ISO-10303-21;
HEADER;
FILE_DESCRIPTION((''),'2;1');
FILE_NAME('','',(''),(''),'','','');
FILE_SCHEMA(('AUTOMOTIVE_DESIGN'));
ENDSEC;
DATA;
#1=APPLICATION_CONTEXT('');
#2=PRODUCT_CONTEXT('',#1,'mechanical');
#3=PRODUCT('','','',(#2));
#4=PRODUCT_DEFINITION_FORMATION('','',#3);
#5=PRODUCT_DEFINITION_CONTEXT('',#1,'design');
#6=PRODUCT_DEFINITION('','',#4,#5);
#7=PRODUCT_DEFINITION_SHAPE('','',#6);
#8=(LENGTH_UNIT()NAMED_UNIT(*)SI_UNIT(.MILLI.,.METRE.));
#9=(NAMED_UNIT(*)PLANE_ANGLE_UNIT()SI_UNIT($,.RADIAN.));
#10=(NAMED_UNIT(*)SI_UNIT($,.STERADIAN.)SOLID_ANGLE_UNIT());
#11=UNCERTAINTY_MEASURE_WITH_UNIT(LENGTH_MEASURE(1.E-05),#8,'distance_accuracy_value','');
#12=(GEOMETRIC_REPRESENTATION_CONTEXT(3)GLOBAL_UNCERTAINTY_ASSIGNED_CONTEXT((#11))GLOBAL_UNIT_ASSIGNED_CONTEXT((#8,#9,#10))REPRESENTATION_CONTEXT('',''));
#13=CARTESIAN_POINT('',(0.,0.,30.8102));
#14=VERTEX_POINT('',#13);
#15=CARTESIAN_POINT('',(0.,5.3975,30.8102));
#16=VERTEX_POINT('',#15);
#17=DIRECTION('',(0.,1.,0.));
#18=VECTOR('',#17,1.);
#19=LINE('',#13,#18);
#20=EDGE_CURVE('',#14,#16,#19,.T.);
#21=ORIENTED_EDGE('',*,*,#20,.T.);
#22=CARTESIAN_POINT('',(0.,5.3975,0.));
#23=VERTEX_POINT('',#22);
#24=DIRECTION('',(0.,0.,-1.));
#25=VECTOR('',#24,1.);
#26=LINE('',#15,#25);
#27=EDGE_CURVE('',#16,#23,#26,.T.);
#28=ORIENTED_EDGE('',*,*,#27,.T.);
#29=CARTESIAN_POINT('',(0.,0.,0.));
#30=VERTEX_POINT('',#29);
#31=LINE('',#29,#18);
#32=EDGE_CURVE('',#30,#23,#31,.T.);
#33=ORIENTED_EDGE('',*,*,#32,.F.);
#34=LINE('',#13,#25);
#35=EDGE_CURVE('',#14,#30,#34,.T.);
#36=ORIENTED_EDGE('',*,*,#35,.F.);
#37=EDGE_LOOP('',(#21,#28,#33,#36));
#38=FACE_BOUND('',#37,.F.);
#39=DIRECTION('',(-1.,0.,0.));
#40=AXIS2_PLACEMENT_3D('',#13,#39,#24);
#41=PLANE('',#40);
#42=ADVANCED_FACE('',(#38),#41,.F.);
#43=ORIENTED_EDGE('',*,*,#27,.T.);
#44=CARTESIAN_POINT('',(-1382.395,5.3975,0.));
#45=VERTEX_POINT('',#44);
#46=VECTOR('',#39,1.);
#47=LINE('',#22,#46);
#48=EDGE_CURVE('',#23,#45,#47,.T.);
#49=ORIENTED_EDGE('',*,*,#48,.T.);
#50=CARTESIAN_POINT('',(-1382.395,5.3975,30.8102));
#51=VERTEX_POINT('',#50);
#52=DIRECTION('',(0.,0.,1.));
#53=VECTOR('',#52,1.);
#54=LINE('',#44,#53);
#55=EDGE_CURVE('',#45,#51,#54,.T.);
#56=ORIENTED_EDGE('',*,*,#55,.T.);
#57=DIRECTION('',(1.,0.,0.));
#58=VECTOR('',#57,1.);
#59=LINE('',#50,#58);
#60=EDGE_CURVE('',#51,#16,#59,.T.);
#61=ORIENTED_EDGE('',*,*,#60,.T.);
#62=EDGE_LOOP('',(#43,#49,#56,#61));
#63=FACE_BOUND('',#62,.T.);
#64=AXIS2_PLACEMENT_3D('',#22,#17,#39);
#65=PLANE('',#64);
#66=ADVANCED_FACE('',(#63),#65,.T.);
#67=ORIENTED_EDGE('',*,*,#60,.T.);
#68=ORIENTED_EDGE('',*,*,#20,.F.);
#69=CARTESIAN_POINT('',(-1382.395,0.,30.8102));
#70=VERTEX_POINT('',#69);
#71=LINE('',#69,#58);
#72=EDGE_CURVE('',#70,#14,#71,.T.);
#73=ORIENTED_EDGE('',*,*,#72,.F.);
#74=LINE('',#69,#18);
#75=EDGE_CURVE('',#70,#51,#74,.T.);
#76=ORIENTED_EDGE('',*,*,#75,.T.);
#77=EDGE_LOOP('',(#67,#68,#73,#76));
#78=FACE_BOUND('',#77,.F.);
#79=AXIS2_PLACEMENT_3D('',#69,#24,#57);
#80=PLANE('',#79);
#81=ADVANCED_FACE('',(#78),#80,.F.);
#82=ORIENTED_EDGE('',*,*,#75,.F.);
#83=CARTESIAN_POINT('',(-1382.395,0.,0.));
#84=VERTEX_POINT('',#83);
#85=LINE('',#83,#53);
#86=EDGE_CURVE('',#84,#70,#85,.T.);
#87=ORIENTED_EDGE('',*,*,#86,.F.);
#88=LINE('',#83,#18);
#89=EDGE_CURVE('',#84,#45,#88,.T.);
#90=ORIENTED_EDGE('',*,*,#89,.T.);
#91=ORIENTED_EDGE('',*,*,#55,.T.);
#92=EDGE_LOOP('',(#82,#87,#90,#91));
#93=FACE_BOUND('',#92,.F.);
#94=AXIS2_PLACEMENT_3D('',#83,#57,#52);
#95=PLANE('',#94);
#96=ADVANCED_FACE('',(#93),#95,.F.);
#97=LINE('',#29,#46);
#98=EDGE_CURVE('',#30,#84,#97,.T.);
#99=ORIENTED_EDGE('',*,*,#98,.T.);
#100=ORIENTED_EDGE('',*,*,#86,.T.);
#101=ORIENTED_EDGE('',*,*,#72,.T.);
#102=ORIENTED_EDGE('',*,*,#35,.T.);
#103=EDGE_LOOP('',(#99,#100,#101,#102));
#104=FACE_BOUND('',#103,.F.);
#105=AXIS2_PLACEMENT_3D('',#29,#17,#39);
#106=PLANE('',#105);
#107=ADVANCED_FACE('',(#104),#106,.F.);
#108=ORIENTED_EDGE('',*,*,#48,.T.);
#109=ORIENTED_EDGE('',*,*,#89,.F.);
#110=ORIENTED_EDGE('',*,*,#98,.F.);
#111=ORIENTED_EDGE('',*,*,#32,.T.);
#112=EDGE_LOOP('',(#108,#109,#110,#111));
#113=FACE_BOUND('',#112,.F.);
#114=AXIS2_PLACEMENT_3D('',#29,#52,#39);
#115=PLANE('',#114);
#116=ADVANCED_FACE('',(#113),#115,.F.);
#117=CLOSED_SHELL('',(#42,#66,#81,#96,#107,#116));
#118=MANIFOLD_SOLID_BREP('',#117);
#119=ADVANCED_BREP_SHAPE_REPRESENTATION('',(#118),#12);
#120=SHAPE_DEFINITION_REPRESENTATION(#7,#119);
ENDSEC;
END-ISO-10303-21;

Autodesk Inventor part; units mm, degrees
ref_plane "YZ Plane" through (0, 0, 0) normal (1, 0, 0) x (0, 1, 0)
ref_plane "XZ Plane" through (0, 0, 0) normal (0, 1, 0) x (-1, 0, 0)
ref_plane "XY Plane" through (0, 0, 0) normal (0, 0, 1) x (1, 0, 0)
sketch "Sketch1" plane through (0, 0, 0) normal (0, 1, 0) x (-1, 0, 0)
  line L0 (0, 0) -> (1382.395, 0)
  line L1 (1382.395, 0) -> (1382.395, 30.8102)
  line L2 (1382.395, 30.8102) -> (0, 30.8102)
  line L3 (0, 30.8102) -> (0, 0)
  dimension "d0" = 1382.395
  dimension "d1" = 30.8102
extrude "Extrusion1" add sketch "Sketch1" along normal blind 5.3975
properties part number "bottom"
